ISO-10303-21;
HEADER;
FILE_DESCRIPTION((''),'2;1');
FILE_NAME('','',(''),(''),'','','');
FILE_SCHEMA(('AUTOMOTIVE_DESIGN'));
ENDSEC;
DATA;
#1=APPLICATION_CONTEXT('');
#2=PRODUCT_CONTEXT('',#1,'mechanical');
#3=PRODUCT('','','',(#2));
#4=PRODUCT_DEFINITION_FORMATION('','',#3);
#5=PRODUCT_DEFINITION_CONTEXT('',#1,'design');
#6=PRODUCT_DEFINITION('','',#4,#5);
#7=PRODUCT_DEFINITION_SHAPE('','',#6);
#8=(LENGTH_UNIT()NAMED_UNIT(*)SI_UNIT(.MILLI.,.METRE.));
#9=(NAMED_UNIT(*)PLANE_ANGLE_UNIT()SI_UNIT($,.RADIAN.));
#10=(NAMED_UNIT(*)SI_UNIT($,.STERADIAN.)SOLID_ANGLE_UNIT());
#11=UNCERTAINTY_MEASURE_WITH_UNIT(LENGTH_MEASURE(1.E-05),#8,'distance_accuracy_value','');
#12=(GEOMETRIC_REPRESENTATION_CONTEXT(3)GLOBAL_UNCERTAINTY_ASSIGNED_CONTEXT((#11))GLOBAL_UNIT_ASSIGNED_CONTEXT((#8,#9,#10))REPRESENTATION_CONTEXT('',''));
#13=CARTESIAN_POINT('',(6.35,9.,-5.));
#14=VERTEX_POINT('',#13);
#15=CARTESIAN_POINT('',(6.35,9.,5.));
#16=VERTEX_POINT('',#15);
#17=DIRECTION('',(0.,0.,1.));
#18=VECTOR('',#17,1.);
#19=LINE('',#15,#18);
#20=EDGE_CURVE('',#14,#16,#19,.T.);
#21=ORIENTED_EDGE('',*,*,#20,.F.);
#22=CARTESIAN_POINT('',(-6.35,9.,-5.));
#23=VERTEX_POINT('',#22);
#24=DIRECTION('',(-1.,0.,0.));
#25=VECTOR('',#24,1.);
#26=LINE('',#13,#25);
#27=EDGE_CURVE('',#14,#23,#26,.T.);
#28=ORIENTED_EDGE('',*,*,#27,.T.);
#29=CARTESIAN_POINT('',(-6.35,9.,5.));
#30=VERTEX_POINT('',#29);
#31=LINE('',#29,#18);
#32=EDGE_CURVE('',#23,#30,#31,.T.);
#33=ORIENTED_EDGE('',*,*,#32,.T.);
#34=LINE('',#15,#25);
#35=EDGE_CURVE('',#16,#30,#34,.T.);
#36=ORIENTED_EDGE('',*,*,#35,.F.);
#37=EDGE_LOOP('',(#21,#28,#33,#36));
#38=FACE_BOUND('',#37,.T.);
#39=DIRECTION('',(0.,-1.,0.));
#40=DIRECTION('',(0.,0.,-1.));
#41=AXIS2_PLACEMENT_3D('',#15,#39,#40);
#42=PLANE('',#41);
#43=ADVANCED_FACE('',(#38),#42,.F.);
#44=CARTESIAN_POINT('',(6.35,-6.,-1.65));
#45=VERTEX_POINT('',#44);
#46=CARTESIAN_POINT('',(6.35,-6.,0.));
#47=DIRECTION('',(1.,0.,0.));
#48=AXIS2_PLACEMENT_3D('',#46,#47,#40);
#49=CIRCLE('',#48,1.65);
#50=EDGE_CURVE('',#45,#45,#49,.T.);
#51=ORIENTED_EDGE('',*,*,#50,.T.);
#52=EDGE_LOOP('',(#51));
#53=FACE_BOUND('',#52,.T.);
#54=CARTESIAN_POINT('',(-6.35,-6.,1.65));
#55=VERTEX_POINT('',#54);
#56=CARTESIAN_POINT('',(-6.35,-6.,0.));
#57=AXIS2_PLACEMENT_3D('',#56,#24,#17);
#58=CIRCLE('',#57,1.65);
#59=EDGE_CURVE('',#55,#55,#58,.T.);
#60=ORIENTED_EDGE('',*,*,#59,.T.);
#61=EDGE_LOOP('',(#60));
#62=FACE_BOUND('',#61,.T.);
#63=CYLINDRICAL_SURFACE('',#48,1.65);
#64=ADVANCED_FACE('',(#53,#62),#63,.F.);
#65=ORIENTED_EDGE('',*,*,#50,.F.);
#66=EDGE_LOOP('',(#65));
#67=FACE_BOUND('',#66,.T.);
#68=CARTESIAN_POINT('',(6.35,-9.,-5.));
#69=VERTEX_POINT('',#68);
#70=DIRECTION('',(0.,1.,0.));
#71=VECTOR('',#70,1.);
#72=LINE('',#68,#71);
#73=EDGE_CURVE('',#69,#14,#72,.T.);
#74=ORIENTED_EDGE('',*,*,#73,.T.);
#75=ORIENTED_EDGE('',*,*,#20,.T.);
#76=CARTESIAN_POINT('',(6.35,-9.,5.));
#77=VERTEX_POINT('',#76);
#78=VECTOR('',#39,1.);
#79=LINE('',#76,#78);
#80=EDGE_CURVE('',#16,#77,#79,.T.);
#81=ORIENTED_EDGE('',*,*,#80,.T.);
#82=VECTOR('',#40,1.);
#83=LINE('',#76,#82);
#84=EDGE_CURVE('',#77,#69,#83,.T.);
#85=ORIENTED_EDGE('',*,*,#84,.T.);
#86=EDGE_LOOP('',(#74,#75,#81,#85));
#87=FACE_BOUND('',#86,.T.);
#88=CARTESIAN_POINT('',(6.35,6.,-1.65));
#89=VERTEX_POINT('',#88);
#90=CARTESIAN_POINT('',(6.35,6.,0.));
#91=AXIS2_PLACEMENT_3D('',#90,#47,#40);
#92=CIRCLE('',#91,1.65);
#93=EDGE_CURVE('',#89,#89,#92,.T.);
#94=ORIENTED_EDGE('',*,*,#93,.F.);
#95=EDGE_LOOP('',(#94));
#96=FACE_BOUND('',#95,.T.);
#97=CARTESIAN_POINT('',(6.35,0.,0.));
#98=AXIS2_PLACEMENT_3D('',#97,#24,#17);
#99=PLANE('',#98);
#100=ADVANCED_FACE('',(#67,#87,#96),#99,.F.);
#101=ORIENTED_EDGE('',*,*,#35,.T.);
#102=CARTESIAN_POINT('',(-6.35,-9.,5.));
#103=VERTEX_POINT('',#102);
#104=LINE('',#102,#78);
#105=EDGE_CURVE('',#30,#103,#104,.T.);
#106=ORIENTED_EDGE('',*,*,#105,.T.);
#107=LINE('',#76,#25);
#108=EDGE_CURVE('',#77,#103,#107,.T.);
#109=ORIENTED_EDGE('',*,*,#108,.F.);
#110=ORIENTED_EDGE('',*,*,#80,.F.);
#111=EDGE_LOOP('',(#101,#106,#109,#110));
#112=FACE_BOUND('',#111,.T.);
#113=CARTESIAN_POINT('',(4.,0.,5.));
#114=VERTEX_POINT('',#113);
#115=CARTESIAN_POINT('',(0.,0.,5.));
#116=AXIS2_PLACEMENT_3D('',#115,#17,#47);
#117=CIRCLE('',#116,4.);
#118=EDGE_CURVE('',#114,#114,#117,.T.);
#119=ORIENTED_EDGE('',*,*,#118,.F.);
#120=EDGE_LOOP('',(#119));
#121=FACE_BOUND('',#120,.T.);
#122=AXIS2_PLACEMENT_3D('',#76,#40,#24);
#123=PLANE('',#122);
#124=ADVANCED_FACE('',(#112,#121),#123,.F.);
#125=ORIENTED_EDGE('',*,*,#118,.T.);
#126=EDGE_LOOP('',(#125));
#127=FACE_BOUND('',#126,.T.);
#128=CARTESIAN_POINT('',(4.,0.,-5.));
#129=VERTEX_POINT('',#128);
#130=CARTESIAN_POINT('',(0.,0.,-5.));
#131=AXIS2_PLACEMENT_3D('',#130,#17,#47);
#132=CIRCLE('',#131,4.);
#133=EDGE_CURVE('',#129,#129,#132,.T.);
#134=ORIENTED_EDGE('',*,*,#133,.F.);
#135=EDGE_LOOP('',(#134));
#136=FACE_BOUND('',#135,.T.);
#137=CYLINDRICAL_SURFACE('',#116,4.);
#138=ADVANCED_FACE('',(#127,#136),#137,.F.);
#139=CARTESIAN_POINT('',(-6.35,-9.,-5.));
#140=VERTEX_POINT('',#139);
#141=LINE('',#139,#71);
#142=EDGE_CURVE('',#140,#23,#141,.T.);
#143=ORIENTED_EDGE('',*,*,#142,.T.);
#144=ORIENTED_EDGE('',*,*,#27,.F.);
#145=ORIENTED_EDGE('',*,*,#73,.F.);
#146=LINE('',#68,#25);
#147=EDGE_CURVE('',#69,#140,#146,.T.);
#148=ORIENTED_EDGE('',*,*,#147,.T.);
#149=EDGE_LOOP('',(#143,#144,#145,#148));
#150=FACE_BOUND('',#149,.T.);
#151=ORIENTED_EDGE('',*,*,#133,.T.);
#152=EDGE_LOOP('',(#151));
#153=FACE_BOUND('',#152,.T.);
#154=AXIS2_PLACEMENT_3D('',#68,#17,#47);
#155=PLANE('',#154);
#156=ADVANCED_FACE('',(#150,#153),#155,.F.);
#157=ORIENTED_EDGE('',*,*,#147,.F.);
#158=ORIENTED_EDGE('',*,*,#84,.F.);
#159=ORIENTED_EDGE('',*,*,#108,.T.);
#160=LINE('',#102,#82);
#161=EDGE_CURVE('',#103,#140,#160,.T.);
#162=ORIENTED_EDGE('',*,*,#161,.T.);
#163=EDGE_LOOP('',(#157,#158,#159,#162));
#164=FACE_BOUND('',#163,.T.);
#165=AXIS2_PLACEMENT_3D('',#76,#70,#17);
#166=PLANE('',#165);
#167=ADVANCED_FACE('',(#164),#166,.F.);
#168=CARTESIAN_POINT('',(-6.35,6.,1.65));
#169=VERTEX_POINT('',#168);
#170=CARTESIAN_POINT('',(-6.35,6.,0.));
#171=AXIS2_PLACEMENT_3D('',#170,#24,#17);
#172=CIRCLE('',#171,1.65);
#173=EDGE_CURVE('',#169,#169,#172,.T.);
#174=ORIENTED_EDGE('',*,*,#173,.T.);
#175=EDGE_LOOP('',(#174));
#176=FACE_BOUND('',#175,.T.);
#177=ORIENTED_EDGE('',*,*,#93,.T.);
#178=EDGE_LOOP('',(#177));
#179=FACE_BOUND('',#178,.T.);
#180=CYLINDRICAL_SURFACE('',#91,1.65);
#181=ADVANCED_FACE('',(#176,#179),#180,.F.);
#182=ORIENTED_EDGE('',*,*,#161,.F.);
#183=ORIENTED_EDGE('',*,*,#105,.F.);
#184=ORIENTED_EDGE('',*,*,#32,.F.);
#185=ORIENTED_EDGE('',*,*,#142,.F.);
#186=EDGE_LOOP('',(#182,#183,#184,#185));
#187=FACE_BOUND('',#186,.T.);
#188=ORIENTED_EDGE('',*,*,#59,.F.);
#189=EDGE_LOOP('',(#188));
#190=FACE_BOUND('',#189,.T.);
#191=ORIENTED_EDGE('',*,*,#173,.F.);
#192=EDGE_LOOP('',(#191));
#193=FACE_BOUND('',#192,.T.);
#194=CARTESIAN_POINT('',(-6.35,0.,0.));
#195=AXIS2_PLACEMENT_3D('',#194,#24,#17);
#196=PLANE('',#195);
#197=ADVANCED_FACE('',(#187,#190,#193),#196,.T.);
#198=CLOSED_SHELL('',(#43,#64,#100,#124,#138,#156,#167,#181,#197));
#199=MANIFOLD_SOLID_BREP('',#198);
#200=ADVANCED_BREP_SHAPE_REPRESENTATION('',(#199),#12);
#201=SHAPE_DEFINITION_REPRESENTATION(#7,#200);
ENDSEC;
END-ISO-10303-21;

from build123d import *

# Parameters (mm, degrees)
CROQUIS1_W                    = 10
CROQUIS1_H                    = 18
SALIENTE_EXTRUIR1_DEPTH       = 6.35
TALADRO_ROSCADO_M4X0_71_D     = 3.3
DI_METRO_DE_TALADRO_5_0_5_1_D = 8


with BuildPart() as part:
    # Croquis1 → Saliente-Extruir1 (new, symmetric)
    with BuildSketch(Plane(origin=(0, 0, 0), x_dir=(0, 0, -1), z_dir=(1, 0, 0))):
        Rectangle(CROQUIS1_W, CROQUIS1_H)
    extrude(amount=SALIENTE_EXTRUIR1_DEPTH, both=True)

    # Taladro roscado M4x0.71 (through all)
    with Locations(Plane(origin=(6.35, 0, 0), x_dir=(0, 0, -1), z_dir=(1, 0, 0))):
        with Locations((0, 6), (0, -6)):
            Hole(TALADRO_ROSCADO_M4X0_71_D / 2)

    # Diámetro de taladro Ø5.0 (5)1 (through all)
    with Locations(Plane.XY.offset(5)):
        with Locations((0, 0)):
            Hole(DI_METRO_DE_TALADRO_5_0_5_1_D / 2)


solid = part.part
